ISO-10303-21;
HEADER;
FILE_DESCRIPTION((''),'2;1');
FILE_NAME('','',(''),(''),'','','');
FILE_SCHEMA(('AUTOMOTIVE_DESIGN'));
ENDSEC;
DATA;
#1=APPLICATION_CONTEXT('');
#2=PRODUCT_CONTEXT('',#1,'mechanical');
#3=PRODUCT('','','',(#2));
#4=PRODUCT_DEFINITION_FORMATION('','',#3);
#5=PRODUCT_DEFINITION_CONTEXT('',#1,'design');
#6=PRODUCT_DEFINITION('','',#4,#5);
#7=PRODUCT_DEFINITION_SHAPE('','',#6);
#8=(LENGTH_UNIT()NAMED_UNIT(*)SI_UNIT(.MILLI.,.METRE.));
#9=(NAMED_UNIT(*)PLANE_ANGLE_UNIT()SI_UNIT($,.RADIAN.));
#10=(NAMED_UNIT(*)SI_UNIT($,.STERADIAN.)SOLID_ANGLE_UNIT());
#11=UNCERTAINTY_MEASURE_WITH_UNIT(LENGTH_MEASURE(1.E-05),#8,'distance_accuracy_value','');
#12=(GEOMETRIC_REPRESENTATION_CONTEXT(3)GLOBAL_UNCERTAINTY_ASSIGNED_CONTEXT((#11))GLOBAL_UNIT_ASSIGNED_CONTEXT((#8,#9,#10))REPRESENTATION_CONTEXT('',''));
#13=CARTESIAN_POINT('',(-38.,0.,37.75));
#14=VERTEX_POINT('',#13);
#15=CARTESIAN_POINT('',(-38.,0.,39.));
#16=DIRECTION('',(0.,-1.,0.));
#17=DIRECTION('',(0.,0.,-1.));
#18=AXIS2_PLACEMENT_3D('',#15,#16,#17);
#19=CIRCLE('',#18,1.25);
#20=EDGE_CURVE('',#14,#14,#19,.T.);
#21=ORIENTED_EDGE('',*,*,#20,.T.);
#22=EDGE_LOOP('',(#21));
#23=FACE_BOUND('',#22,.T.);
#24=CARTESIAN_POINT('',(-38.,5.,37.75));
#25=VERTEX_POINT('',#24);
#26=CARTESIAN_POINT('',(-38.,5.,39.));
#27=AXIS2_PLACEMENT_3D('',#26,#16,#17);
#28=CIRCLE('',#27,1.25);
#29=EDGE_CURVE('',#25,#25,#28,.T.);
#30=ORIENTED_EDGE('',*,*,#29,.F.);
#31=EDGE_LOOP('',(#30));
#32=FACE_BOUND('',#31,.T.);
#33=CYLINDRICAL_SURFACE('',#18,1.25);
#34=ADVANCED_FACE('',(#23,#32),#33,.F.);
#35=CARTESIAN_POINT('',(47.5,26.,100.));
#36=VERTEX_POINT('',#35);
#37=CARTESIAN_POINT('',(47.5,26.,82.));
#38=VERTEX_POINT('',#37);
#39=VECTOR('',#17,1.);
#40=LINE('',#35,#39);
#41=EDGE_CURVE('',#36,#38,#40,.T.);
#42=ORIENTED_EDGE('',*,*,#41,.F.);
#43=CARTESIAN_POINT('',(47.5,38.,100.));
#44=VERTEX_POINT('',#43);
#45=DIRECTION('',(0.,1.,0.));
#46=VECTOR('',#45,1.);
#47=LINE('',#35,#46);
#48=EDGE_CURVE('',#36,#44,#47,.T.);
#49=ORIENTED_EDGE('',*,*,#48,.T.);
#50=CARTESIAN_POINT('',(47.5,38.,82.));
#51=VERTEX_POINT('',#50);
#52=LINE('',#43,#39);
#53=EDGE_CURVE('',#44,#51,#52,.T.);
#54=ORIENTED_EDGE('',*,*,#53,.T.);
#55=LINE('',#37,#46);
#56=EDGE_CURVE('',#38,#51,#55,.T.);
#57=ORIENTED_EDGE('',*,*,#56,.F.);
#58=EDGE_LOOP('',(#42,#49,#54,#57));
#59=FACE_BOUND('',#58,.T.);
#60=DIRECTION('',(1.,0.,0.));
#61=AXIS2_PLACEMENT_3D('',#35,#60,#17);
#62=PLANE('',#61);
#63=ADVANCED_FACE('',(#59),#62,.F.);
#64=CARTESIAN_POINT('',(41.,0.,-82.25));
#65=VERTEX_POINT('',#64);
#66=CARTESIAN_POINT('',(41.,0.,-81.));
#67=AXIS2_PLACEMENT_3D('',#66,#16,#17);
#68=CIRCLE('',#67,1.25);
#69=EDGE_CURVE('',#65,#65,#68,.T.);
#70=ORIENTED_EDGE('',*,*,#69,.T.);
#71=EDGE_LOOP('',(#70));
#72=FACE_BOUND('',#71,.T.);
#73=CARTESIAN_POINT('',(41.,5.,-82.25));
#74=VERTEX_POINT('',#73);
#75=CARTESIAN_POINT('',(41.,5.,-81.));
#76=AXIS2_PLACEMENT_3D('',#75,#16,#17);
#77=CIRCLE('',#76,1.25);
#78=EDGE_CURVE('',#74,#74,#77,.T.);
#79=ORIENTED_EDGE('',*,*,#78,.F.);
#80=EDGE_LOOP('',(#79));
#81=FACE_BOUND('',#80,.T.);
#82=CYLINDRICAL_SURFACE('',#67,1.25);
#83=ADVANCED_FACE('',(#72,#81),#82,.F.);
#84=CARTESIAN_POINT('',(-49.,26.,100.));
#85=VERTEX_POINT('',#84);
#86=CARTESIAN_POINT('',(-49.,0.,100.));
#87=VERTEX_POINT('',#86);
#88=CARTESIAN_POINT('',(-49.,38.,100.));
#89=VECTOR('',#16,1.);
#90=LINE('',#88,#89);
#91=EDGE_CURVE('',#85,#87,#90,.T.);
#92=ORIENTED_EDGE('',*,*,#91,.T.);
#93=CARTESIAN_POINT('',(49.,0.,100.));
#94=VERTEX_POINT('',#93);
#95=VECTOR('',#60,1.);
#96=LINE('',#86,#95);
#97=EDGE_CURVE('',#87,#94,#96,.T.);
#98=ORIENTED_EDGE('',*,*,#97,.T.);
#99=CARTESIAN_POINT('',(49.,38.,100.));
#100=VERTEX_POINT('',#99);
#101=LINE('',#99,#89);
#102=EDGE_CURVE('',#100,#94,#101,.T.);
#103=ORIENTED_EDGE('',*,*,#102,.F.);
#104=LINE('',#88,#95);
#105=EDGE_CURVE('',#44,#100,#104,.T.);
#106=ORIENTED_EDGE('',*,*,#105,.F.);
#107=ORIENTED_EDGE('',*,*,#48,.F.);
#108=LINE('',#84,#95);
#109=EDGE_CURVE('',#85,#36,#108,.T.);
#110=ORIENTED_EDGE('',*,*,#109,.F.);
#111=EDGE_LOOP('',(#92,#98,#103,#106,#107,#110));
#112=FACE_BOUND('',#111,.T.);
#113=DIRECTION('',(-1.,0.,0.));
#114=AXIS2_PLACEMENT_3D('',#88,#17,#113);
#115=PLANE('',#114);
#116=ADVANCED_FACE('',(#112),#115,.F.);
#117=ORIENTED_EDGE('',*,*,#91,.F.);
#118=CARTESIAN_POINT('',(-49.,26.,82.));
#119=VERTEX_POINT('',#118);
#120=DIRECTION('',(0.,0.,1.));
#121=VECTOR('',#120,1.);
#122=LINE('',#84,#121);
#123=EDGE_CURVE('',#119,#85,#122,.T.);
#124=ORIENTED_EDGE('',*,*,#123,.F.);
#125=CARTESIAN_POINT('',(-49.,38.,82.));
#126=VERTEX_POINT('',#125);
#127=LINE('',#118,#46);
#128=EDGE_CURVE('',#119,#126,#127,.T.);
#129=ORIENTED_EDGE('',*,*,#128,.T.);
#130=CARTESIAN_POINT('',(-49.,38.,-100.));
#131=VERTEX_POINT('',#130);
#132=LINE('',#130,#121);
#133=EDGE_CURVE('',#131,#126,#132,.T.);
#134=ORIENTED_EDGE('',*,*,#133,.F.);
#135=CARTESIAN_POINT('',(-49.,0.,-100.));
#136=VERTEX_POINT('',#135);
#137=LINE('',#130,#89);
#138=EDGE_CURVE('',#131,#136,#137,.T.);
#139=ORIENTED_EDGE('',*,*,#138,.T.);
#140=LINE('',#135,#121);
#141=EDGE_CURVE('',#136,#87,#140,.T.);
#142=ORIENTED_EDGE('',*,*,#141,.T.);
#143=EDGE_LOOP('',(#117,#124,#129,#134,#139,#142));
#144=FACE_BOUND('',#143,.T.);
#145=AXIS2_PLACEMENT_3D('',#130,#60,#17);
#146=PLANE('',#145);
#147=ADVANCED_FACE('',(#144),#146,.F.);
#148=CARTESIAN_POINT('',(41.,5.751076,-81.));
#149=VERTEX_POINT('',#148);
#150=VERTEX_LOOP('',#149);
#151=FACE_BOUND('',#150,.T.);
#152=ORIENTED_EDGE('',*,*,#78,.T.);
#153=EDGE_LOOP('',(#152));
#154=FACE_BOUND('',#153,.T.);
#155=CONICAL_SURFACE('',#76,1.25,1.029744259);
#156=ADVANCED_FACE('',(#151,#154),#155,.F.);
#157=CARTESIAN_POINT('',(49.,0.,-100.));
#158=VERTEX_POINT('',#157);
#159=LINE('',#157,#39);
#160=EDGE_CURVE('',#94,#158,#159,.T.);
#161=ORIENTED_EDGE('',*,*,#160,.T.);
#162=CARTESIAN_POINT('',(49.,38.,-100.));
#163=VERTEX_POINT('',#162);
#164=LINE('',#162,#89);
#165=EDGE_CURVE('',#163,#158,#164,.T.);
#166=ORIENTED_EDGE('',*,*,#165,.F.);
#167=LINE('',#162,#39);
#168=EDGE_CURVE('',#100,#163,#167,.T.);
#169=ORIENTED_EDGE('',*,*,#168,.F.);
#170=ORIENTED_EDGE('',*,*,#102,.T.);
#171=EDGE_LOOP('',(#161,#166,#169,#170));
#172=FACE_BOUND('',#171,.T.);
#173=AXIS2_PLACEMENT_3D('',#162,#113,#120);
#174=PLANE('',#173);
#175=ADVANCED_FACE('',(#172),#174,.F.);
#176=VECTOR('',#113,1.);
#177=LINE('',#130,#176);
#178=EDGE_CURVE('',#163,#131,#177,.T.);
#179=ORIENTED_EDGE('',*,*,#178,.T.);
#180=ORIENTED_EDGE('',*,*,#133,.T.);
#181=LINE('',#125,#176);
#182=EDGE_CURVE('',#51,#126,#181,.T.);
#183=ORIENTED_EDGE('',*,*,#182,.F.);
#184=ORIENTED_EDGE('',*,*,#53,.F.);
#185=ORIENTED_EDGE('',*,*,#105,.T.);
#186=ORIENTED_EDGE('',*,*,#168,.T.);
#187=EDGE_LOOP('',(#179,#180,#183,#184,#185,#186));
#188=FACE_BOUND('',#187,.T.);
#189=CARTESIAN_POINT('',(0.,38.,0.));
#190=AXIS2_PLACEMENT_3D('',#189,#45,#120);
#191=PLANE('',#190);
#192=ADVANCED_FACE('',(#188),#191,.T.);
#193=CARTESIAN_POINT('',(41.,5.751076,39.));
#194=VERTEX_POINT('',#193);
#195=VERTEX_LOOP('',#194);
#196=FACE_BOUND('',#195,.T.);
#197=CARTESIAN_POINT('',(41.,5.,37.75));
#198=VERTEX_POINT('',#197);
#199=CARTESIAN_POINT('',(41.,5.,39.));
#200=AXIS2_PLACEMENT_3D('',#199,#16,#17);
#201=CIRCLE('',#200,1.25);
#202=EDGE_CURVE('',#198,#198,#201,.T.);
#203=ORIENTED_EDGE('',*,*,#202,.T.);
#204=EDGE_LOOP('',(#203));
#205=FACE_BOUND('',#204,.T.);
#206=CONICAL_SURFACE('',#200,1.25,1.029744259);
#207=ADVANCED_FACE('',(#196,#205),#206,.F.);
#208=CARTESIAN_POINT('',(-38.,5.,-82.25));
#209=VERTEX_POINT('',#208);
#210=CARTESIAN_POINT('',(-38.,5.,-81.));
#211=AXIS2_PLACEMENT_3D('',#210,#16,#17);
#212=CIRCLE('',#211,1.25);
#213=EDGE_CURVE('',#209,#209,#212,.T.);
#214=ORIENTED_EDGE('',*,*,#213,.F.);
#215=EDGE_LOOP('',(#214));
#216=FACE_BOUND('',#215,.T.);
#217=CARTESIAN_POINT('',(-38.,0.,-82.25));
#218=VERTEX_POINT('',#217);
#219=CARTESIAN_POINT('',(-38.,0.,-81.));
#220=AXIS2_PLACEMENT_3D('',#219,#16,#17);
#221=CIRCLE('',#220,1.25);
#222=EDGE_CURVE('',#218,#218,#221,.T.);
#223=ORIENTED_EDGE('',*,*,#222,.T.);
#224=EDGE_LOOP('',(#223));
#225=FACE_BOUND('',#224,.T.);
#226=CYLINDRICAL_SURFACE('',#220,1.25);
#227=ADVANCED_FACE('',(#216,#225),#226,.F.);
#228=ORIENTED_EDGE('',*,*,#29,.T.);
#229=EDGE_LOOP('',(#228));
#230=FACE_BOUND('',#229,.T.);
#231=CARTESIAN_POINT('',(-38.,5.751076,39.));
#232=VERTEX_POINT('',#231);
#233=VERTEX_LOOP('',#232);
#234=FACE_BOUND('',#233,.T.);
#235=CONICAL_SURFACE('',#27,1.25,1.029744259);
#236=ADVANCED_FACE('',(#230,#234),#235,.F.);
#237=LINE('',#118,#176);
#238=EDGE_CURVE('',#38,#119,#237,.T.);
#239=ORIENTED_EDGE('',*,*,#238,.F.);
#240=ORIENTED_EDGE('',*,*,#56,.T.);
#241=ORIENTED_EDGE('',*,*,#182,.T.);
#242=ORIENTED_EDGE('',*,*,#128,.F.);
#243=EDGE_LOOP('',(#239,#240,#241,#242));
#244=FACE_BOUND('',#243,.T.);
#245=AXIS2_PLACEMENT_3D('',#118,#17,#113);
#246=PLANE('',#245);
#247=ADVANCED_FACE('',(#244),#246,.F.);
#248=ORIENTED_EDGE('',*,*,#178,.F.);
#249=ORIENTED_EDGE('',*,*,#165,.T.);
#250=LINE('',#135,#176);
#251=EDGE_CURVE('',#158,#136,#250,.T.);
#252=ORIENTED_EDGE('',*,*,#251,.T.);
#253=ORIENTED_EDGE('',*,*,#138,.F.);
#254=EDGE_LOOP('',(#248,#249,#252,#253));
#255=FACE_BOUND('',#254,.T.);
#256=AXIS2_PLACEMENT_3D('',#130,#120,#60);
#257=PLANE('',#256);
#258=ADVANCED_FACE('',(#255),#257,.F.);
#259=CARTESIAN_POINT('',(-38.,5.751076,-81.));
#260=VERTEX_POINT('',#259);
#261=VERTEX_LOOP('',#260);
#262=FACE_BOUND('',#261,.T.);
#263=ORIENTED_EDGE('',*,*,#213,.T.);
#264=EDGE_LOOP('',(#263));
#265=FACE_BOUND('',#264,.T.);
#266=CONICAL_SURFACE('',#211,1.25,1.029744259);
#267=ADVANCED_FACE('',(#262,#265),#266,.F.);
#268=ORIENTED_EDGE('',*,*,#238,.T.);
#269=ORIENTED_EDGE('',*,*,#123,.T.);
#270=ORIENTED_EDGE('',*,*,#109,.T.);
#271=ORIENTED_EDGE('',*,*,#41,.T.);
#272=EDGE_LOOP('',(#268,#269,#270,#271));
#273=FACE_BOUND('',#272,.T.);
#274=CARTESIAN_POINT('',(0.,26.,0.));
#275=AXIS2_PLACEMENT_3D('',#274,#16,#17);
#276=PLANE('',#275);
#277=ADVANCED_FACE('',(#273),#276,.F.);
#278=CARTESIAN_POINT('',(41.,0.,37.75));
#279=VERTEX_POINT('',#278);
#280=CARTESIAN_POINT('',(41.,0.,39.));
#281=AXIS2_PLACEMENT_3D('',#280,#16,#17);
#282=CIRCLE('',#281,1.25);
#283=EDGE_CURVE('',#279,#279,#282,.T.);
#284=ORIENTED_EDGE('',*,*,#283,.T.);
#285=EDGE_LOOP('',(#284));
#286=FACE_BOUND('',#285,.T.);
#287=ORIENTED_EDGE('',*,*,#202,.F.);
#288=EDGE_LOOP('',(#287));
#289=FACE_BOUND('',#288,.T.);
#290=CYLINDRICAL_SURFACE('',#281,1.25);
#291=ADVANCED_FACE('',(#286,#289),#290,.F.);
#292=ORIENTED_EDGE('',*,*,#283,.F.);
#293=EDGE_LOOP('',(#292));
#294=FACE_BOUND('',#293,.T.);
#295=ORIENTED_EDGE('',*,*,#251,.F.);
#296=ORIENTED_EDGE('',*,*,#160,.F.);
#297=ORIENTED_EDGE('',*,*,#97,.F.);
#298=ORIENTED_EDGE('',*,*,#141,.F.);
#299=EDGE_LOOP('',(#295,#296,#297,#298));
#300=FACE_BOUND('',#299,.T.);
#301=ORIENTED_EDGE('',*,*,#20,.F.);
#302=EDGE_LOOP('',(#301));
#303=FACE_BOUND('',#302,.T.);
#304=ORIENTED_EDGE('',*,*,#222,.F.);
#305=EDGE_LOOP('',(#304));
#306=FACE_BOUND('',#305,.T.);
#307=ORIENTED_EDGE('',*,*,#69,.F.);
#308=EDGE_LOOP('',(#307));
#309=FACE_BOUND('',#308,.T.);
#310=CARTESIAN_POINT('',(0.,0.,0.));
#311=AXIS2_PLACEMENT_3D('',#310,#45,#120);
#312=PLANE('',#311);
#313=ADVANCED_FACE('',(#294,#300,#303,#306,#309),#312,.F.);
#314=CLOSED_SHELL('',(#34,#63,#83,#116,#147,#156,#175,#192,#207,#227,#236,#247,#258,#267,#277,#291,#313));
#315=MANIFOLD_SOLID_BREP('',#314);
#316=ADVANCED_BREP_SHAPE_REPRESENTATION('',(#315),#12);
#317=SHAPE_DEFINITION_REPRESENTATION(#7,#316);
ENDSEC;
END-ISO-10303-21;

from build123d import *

# Parameters (mm, degrees)
SKETCH_1_W             = 98
SKETCH_1_H             = 200
EXTRUDE_275_DEPTH      = 38
SKETCH_2_W             = 96.5
SKETCH_2_H             = 18
CUT_EXTRUDE_1_DEPTH    = 12
HOLE_WIZARD_M3_1_D     = 2.5
HOLE_WIZARD_M3_1_DEPTH = 5
HOLE_WIZARD_M3_1_TIP   = 0.751075774


with BuildPart() as part:
    # 草图1 → Extrude 275 (new body)
    with BuildSketch(Plane(origin=(0, 0, 0), x_dir=(1, 0, 0), z_dir=(0, 1, 0))):
        Rectangle(SKETCH_1_W, SKETCH_1_H)
    extrude(amount=EXTRUDE_275_DEPTH)

    # 草图2 → 切除-拉伸1 (cut)
    with BuildSketch(Plane(origin=(0, 38, 0), x_dir=(1, 0, 0), z_dir=(0, 1, 0))):
        with Locations((-0.75, -91)):
            Rectangle(SKETCH_2_W, SKETCH_2_H)
    extrude(amount=-CUT_EXTRUDE_1_DEPTH, mode=Mode.SUBTRACT)

    # M3 螺纹孔的螺纹孔钻头1
    with Locations(Plane(origin=(0, 0, 0), x_dir=(-1, 0, 0), z_dir=(0, -1, 0))):
        with Locations((38, -39), (-41, -39), (38, 81), (-41, 81)):
            Hole(HOLE_WIZARD_M3_1_D / 2, depth=HOLE_WIZARD_M3_1_DEPTH)
            with Locations((0, 0, -(HOLE_WIZARD_M3_1_DEPTH + HOLE_WIZARD_M3_1_TIP / 2))):  # 118° drill point
                Cone(0, HOLE_WIZARD_M3_1_D / 2, HOLE_WIZARD_M3_1_TIP, mode=Mode.SUBTRACT)


solid = part.part
